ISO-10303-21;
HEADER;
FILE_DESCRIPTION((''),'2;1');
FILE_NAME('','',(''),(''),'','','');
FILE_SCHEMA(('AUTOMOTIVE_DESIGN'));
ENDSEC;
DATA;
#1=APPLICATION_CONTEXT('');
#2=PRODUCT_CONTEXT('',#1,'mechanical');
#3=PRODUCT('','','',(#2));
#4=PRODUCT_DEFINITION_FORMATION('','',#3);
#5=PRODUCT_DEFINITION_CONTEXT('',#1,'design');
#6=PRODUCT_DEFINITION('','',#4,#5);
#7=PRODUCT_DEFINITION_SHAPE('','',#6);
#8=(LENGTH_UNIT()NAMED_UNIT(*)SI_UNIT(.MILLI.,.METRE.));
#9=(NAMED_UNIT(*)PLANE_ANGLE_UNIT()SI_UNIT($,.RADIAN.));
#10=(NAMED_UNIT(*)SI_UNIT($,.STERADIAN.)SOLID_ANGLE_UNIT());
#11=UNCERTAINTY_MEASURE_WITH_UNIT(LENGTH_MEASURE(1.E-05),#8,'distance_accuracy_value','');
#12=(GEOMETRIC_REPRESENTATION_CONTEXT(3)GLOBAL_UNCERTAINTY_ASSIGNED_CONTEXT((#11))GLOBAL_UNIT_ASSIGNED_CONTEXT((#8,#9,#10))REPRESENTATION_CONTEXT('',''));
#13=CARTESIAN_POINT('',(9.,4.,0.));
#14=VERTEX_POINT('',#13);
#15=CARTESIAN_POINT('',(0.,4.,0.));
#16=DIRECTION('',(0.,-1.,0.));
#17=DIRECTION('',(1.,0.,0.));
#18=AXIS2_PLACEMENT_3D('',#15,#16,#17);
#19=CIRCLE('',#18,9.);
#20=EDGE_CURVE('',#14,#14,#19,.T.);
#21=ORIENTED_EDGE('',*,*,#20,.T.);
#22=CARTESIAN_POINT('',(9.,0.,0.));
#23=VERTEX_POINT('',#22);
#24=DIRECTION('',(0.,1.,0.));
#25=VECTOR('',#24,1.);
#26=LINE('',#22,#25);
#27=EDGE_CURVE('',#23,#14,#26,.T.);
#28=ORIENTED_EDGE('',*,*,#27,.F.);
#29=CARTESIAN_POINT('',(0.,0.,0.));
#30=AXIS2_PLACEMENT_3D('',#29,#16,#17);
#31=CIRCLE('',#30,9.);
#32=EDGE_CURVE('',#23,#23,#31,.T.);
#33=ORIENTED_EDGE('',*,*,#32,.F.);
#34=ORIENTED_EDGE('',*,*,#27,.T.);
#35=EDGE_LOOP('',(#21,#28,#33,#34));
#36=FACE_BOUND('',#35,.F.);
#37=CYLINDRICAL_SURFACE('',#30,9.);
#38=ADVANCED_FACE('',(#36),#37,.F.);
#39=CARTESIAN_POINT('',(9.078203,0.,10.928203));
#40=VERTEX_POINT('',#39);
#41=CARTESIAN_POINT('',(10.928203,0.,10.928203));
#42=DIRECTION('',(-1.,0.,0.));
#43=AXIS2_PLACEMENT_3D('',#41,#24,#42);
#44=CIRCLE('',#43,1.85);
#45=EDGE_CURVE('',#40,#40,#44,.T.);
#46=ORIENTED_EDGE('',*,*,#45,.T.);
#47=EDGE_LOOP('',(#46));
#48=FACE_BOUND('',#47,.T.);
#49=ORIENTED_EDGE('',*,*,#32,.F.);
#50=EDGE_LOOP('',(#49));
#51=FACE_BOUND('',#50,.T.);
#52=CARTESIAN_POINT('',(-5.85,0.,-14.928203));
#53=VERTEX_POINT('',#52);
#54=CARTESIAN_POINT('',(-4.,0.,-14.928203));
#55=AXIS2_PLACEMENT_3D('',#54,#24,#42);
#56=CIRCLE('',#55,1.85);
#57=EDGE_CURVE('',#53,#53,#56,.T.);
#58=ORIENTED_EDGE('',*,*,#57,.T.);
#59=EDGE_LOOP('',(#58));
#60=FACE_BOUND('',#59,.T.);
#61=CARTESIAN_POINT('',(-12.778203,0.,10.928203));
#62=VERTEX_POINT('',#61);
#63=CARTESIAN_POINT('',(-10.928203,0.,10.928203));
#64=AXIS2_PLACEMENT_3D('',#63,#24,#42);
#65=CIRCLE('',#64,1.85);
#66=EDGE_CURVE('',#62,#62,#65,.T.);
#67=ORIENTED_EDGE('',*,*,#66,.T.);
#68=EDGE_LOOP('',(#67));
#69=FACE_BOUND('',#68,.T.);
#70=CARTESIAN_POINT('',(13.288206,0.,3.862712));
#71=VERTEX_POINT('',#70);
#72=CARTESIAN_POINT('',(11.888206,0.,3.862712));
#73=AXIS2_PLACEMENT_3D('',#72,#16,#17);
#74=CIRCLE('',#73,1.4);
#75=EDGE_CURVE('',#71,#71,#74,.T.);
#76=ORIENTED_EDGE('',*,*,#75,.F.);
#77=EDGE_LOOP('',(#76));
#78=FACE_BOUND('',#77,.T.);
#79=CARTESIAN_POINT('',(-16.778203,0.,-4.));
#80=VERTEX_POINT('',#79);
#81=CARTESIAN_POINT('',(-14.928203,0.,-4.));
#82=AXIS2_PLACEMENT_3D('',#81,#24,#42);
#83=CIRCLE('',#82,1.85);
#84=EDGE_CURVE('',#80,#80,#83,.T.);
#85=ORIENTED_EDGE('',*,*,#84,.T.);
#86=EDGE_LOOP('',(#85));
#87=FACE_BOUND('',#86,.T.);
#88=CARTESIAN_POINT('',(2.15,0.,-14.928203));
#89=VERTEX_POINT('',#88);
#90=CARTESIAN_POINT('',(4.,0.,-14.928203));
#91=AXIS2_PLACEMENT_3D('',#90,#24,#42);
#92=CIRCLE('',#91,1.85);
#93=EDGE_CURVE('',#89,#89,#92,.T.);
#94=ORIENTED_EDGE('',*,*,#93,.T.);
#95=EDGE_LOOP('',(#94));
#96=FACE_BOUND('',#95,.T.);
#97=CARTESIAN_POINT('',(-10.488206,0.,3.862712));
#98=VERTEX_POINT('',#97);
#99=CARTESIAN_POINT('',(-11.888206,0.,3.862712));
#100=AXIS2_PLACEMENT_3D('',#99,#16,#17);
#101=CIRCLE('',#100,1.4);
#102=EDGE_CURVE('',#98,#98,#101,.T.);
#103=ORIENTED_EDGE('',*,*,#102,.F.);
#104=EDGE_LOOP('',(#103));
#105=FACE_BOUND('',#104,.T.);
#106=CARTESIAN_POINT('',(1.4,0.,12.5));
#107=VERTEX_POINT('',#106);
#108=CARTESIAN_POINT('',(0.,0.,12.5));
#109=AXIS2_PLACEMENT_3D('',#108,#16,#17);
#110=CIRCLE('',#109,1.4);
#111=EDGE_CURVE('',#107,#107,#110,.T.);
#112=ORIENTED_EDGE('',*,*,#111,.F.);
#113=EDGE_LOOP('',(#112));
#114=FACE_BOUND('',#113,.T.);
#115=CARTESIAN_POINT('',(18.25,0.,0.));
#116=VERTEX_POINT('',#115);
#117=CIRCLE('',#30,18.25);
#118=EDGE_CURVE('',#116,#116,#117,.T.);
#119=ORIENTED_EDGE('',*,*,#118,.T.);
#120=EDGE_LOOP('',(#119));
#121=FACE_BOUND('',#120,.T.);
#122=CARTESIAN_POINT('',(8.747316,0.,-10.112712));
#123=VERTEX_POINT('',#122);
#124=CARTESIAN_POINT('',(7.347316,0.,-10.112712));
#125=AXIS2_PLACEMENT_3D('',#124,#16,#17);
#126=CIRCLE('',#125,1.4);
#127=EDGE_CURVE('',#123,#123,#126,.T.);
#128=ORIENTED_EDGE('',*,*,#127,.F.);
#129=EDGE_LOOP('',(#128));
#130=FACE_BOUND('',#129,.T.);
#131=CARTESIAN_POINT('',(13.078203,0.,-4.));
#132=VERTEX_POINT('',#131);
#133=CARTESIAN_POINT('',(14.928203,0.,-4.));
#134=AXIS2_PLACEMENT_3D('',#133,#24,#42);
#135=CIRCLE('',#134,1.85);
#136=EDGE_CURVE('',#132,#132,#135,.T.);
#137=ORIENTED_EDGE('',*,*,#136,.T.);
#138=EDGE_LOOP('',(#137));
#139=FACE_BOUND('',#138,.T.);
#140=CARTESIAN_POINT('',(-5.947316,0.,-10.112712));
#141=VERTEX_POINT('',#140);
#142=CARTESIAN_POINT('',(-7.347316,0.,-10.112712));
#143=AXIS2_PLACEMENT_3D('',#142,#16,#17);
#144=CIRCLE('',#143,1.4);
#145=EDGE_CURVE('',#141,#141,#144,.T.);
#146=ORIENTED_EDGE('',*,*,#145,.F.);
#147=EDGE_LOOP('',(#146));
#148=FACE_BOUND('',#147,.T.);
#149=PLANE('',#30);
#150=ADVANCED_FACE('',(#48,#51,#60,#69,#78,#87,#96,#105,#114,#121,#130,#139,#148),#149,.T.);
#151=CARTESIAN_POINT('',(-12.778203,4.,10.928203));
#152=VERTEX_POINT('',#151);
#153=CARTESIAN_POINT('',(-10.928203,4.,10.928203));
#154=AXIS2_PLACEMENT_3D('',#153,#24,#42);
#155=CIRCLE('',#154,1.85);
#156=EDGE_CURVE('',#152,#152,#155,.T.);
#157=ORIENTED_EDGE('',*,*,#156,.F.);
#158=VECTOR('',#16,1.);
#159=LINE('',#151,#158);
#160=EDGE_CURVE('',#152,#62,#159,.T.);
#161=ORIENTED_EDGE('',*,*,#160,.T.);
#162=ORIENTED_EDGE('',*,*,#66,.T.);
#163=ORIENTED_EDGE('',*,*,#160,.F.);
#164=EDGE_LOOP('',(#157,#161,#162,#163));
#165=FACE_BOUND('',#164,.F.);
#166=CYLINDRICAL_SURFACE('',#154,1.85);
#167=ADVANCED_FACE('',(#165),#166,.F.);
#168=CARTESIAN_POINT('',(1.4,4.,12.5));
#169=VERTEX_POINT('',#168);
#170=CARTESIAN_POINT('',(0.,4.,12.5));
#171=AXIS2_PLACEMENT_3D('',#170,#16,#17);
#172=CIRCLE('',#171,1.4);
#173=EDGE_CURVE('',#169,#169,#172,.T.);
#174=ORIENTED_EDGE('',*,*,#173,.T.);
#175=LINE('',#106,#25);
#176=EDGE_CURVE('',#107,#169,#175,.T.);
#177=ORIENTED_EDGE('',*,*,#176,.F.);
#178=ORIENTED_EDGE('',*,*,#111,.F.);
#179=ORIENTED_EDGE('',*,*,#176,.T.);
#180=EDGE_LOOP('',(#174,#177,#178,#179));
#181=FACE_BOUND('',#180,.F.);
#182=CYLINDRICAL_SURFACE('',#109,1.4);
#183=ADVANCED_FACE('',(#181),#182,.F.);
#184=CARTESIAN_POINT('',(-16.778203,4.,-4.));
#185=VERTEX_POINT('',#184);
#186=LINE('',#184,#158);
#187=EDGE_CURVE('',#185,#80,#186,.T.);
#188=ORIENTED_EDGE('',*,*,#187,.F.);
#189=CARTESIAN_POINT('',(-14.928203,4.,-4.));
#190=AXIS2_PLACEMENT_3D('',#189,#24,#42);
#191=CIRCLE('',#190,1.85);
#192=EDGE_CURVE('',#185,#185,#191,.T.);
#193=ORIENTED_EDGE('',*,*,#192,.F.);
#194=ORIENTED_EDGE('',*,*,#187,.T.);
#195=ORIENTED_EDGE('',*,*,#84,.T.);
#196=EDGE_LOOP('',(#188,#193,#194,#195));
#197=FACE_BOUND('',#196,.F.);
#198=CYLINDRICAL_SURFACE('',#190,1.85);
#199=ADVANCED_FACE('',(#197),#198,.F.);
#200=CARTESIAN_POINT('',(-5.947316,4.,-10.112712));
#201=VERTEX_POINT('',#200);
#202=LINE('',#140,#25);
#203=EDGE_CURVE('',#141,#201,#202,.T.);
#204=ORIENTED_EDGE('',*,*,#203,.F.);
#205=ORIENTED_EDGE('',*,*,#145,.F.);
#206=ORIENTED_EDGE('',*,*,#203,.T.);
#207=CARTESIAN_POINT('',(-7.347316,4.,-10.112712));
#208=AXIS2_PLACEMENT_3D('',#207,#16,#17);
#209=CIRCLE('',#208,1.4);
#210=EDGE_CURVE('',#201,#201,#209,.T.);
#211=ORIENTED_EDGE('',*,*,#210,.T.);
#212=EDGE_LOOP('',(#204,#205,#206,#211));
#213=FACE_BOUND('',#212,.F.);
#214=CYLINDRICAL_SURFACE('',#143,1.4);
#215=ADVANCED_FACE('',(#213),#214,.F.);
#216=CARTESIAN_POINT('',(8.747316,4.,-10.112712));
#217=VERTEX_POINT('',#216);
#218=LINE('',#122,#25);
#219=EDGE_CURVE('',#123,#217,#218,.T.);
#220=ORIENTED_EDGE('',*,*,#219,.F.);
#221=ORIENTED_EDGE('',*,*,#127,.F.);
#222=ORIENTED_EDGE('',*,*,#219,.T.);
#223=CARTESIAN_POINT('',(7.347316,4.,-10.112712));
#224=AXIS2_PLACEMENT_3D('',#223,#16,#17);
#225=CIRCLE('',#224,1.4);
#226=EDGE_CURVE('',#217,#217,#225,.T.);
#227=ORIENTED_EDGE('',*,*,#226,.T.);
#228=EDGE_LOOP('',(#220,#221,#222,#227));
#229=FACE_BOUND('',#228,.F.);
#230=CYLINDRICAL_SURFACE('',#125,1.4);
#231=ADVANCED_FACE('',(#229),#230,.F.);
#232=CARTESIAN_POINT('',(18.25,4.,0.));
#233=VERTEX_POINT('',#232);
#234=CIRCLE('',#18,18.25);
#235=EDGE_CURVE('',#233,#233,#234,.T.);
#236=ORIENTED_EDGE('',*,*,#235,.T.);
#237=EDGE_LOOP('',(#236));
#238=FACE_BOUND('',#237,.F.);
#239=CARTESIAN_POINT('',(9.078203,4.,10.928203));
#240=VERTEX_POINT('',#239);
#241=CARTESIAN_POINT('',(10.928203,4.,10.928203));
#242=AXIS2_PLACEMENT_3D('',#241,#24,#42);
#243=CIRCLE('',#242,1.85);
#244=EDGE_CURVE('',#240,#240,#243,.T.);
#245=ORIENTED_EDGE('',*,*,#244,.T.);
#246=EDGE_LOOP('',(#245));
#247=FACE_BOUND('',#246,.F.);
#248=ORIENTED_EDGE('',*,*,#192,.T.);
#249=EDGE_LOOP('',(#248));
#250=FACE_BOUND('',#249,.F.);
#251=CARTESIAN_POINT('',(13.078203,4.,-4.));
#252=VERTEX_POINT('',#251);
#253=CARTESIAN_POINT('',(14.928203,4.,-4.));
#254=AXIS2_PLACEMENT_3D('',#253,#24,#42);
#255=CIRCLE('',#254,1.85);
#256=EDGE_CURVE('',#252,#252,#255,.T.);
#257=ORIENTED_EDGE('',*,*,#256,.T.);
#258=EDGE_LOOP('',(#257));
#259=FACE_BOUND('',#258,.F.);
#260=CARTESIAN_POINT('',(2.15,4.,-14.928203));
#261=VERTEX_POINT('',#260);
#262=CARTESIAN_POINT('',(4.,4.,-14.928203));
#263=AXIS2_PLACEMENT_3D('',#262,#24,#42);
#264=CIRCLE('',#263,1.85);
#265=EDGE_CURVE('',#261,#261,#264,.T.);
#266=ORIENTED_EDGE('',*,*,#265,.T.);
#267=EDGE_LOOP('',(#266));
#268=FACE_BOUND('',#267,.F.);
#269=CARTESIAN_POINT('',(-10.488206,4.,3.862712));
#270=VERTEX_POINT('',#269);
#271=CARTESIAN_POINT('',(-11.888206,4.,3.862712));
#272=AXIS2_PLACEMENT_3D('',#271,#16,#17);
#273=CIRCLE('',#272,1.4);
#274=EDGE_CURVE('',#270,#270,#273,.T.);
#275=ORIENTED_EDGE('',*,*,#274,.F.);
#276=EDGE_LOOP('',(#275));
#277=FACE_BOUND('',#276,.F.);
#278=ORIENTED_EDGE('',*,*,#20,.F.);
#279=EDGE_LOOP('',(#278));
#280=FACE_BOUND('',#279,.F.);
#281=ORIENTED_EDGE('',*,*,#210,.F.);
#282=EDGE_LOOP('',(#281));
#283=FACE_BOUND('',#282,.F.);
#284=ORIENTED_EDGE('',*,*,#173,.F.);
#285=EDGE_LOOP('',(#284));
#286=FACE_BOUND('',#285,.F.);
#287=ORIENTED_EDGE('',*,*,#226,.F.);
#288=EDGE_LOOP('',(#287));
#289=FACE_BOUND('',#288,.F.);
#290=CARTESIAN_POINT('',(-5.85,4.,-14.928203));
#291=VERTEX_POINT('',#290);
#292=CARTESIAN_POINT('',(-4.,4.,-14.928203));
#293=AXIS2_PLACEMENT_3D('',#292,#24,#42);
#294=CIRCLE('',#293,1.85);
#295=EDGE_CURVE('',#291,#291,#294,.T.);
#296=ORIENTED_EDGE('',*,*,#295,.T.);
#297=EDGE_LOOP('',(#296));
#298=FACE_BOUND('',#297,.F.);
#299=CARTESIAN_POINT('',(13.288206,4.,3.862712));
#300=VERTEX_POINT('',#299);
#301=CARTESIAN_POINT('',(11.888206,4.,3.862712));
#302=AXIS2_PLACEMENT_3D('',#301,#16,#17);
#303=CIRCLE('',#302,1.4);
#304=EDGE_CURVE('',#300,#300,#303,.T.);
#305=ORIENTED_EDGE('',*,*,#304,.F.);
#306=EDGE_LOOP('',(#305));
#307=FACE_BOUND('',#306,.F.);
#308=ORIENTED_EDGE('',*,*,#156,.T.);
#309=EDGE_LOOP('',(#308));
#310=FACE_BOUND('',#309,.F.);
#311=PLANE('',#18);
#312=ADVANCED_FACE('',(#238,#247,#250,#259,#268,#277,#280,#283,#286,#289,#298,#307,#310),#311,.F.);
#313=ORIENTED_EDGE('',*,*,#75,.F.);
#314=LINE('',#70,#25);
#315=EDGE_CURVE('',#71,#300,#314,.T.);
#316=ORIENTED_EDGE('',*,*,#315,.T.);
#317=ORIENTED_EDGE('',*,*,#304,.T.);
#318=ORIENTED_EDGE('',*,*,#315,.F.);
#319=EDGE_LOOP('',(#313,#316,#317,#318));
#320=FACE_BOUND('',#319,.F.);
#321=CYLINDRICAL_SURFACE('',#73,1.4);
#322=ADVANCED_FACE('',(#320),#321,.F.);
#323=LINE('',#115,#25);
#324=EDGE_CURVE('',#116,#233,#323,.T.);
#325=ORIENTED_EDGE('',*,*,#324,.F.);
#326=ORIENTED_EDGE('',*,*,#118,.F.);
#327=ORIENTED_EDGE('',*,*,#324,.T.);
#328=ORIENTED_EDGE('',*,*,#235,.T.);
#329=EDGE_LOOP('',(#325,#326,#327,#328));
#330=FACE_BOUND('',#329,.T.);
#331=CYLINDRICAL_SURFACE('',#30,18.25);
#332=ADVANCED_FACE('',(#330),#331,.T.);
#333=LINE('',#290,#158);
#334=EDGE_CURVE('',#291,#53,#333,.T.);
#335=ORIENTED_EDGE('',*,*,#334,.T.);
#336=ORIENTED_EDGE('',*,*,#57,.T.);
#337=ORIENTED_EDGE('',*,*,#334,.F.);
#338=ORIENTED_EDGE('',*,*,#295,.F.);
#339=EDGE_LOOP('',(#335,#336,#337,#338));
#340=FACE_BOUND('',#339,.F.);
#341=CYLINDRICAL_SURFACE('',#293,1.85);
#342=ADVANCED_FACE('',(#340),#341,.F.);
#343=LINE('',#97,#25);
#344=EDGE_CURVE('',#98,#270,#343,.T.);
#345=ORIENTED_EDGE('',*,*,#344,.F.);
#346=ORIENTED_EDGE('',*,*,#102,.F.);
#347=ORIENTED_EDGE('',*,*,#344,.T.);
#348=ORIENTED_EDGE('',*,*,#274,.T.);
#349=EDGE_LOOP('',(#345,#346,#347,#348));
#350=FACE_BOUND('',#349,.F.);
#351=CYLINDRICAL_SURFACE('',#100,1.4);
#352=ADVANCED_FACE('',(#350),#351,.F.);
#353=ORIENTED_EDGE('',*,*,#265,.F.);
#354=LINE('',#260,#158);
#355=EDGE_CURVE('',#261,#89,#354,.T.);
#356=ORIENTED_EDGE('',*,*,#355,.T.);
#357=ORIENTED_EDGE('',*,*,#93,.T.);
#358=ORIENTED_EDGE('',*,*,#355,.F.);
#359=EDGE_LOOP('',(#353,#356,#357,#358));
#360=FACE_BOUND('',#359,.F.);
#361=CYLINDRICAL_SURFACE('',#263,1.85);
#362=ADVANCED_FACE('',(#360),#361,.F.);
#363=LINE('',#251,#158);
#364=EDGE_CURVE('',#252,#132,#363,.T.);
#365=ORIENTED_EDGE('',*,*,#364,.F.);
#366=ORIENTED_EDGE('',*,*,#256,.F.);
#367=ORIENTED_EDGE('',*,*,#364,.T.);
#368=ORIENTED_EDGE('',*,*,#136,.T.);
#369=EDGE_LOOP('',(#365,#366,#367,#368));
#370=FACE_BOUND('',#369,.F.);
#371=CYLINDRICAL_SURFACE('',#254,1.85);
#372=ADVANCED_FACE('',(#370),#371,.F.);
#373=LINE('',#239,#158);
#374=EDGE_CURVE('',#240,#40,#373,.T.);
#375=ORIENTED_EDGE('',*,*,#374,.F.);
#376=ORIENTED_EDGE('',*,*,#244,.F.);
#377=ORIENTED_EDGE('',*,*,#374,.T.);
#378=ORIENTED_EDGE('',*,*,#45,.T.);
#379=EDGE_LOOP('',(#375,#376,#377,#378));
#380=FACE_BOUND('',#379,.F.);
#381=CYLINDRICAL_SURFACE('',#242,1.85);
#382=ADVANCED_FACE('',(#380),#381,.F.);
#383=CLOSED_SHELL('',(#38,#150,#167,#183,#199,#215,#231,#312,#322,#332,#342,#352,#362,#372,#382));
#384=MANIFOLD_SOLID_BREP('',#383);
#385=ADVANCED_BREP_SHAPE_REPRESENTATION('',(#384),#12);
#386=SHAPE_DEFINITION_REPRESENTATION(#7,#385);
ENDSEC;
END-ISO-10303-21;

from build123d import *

# Parameters (mm, degrees)
F0_R     = 18.25
F0_R_2   = 1.4
F0_R_3   = 9
F1_DEPTH = 4
F2_R     = 1.85
F3_DEPTH = 25


with BuildPart() as f1:
    # F0 (on Front) → F1 (new body)
    with BuildSketch(Plane.XZ):
        Circle(F0_R)
        with Locations((-7.347316, -10.112712)):
            Circle(F0_R_2, mode=Mode.SUBTRACT)
        with Locations((7.347316, -10.112712)):
            Circle(F0_R_2, mode=Mode.SUBTRACT)
        with Locations((-11.888206, 3.862712)):
            Circle(F0_R_2, mode=Mode.SUBTRACT)
        Circle(F0_R_3, mode=Mode.SUBTRACT)
        with Locations((11.888206, 3.862712)):
            Circle(F0_R_2, mode=Mode.SUBTRACT)
        with Locations((0, 12.5)):
            Circle(F0_R_2, mode=Mode.SUBTRACT)
    extrude(amount=-F1_DEPTH)

    # F2 (on face) → F3 (cut)
    with BuildSketch(Plane(origin=(0, 4, 0), x_dir=(-1, 0, 0), z_dir=(0, 1, 0))):
        with Locations((-14.928203, -4)):
            Circle(F2_R)
        with Locations((-10.928203, 10.928203)):
            Circle(F2_R)
        with Locations((14.928203, -4)):
            Circle(F2_R)
        with Locations((10.928203, 10.928203)):
            Circle(F2_R)
        with Locations((4, -14.928203)):
            Circle(F2_R)
        with Locations((-4, -14.928203)):
            Circle(F2_R)
    extrude(amount=-F3_DEPTH, mode=Mode.SUBTRACT)


solid = f1.part
